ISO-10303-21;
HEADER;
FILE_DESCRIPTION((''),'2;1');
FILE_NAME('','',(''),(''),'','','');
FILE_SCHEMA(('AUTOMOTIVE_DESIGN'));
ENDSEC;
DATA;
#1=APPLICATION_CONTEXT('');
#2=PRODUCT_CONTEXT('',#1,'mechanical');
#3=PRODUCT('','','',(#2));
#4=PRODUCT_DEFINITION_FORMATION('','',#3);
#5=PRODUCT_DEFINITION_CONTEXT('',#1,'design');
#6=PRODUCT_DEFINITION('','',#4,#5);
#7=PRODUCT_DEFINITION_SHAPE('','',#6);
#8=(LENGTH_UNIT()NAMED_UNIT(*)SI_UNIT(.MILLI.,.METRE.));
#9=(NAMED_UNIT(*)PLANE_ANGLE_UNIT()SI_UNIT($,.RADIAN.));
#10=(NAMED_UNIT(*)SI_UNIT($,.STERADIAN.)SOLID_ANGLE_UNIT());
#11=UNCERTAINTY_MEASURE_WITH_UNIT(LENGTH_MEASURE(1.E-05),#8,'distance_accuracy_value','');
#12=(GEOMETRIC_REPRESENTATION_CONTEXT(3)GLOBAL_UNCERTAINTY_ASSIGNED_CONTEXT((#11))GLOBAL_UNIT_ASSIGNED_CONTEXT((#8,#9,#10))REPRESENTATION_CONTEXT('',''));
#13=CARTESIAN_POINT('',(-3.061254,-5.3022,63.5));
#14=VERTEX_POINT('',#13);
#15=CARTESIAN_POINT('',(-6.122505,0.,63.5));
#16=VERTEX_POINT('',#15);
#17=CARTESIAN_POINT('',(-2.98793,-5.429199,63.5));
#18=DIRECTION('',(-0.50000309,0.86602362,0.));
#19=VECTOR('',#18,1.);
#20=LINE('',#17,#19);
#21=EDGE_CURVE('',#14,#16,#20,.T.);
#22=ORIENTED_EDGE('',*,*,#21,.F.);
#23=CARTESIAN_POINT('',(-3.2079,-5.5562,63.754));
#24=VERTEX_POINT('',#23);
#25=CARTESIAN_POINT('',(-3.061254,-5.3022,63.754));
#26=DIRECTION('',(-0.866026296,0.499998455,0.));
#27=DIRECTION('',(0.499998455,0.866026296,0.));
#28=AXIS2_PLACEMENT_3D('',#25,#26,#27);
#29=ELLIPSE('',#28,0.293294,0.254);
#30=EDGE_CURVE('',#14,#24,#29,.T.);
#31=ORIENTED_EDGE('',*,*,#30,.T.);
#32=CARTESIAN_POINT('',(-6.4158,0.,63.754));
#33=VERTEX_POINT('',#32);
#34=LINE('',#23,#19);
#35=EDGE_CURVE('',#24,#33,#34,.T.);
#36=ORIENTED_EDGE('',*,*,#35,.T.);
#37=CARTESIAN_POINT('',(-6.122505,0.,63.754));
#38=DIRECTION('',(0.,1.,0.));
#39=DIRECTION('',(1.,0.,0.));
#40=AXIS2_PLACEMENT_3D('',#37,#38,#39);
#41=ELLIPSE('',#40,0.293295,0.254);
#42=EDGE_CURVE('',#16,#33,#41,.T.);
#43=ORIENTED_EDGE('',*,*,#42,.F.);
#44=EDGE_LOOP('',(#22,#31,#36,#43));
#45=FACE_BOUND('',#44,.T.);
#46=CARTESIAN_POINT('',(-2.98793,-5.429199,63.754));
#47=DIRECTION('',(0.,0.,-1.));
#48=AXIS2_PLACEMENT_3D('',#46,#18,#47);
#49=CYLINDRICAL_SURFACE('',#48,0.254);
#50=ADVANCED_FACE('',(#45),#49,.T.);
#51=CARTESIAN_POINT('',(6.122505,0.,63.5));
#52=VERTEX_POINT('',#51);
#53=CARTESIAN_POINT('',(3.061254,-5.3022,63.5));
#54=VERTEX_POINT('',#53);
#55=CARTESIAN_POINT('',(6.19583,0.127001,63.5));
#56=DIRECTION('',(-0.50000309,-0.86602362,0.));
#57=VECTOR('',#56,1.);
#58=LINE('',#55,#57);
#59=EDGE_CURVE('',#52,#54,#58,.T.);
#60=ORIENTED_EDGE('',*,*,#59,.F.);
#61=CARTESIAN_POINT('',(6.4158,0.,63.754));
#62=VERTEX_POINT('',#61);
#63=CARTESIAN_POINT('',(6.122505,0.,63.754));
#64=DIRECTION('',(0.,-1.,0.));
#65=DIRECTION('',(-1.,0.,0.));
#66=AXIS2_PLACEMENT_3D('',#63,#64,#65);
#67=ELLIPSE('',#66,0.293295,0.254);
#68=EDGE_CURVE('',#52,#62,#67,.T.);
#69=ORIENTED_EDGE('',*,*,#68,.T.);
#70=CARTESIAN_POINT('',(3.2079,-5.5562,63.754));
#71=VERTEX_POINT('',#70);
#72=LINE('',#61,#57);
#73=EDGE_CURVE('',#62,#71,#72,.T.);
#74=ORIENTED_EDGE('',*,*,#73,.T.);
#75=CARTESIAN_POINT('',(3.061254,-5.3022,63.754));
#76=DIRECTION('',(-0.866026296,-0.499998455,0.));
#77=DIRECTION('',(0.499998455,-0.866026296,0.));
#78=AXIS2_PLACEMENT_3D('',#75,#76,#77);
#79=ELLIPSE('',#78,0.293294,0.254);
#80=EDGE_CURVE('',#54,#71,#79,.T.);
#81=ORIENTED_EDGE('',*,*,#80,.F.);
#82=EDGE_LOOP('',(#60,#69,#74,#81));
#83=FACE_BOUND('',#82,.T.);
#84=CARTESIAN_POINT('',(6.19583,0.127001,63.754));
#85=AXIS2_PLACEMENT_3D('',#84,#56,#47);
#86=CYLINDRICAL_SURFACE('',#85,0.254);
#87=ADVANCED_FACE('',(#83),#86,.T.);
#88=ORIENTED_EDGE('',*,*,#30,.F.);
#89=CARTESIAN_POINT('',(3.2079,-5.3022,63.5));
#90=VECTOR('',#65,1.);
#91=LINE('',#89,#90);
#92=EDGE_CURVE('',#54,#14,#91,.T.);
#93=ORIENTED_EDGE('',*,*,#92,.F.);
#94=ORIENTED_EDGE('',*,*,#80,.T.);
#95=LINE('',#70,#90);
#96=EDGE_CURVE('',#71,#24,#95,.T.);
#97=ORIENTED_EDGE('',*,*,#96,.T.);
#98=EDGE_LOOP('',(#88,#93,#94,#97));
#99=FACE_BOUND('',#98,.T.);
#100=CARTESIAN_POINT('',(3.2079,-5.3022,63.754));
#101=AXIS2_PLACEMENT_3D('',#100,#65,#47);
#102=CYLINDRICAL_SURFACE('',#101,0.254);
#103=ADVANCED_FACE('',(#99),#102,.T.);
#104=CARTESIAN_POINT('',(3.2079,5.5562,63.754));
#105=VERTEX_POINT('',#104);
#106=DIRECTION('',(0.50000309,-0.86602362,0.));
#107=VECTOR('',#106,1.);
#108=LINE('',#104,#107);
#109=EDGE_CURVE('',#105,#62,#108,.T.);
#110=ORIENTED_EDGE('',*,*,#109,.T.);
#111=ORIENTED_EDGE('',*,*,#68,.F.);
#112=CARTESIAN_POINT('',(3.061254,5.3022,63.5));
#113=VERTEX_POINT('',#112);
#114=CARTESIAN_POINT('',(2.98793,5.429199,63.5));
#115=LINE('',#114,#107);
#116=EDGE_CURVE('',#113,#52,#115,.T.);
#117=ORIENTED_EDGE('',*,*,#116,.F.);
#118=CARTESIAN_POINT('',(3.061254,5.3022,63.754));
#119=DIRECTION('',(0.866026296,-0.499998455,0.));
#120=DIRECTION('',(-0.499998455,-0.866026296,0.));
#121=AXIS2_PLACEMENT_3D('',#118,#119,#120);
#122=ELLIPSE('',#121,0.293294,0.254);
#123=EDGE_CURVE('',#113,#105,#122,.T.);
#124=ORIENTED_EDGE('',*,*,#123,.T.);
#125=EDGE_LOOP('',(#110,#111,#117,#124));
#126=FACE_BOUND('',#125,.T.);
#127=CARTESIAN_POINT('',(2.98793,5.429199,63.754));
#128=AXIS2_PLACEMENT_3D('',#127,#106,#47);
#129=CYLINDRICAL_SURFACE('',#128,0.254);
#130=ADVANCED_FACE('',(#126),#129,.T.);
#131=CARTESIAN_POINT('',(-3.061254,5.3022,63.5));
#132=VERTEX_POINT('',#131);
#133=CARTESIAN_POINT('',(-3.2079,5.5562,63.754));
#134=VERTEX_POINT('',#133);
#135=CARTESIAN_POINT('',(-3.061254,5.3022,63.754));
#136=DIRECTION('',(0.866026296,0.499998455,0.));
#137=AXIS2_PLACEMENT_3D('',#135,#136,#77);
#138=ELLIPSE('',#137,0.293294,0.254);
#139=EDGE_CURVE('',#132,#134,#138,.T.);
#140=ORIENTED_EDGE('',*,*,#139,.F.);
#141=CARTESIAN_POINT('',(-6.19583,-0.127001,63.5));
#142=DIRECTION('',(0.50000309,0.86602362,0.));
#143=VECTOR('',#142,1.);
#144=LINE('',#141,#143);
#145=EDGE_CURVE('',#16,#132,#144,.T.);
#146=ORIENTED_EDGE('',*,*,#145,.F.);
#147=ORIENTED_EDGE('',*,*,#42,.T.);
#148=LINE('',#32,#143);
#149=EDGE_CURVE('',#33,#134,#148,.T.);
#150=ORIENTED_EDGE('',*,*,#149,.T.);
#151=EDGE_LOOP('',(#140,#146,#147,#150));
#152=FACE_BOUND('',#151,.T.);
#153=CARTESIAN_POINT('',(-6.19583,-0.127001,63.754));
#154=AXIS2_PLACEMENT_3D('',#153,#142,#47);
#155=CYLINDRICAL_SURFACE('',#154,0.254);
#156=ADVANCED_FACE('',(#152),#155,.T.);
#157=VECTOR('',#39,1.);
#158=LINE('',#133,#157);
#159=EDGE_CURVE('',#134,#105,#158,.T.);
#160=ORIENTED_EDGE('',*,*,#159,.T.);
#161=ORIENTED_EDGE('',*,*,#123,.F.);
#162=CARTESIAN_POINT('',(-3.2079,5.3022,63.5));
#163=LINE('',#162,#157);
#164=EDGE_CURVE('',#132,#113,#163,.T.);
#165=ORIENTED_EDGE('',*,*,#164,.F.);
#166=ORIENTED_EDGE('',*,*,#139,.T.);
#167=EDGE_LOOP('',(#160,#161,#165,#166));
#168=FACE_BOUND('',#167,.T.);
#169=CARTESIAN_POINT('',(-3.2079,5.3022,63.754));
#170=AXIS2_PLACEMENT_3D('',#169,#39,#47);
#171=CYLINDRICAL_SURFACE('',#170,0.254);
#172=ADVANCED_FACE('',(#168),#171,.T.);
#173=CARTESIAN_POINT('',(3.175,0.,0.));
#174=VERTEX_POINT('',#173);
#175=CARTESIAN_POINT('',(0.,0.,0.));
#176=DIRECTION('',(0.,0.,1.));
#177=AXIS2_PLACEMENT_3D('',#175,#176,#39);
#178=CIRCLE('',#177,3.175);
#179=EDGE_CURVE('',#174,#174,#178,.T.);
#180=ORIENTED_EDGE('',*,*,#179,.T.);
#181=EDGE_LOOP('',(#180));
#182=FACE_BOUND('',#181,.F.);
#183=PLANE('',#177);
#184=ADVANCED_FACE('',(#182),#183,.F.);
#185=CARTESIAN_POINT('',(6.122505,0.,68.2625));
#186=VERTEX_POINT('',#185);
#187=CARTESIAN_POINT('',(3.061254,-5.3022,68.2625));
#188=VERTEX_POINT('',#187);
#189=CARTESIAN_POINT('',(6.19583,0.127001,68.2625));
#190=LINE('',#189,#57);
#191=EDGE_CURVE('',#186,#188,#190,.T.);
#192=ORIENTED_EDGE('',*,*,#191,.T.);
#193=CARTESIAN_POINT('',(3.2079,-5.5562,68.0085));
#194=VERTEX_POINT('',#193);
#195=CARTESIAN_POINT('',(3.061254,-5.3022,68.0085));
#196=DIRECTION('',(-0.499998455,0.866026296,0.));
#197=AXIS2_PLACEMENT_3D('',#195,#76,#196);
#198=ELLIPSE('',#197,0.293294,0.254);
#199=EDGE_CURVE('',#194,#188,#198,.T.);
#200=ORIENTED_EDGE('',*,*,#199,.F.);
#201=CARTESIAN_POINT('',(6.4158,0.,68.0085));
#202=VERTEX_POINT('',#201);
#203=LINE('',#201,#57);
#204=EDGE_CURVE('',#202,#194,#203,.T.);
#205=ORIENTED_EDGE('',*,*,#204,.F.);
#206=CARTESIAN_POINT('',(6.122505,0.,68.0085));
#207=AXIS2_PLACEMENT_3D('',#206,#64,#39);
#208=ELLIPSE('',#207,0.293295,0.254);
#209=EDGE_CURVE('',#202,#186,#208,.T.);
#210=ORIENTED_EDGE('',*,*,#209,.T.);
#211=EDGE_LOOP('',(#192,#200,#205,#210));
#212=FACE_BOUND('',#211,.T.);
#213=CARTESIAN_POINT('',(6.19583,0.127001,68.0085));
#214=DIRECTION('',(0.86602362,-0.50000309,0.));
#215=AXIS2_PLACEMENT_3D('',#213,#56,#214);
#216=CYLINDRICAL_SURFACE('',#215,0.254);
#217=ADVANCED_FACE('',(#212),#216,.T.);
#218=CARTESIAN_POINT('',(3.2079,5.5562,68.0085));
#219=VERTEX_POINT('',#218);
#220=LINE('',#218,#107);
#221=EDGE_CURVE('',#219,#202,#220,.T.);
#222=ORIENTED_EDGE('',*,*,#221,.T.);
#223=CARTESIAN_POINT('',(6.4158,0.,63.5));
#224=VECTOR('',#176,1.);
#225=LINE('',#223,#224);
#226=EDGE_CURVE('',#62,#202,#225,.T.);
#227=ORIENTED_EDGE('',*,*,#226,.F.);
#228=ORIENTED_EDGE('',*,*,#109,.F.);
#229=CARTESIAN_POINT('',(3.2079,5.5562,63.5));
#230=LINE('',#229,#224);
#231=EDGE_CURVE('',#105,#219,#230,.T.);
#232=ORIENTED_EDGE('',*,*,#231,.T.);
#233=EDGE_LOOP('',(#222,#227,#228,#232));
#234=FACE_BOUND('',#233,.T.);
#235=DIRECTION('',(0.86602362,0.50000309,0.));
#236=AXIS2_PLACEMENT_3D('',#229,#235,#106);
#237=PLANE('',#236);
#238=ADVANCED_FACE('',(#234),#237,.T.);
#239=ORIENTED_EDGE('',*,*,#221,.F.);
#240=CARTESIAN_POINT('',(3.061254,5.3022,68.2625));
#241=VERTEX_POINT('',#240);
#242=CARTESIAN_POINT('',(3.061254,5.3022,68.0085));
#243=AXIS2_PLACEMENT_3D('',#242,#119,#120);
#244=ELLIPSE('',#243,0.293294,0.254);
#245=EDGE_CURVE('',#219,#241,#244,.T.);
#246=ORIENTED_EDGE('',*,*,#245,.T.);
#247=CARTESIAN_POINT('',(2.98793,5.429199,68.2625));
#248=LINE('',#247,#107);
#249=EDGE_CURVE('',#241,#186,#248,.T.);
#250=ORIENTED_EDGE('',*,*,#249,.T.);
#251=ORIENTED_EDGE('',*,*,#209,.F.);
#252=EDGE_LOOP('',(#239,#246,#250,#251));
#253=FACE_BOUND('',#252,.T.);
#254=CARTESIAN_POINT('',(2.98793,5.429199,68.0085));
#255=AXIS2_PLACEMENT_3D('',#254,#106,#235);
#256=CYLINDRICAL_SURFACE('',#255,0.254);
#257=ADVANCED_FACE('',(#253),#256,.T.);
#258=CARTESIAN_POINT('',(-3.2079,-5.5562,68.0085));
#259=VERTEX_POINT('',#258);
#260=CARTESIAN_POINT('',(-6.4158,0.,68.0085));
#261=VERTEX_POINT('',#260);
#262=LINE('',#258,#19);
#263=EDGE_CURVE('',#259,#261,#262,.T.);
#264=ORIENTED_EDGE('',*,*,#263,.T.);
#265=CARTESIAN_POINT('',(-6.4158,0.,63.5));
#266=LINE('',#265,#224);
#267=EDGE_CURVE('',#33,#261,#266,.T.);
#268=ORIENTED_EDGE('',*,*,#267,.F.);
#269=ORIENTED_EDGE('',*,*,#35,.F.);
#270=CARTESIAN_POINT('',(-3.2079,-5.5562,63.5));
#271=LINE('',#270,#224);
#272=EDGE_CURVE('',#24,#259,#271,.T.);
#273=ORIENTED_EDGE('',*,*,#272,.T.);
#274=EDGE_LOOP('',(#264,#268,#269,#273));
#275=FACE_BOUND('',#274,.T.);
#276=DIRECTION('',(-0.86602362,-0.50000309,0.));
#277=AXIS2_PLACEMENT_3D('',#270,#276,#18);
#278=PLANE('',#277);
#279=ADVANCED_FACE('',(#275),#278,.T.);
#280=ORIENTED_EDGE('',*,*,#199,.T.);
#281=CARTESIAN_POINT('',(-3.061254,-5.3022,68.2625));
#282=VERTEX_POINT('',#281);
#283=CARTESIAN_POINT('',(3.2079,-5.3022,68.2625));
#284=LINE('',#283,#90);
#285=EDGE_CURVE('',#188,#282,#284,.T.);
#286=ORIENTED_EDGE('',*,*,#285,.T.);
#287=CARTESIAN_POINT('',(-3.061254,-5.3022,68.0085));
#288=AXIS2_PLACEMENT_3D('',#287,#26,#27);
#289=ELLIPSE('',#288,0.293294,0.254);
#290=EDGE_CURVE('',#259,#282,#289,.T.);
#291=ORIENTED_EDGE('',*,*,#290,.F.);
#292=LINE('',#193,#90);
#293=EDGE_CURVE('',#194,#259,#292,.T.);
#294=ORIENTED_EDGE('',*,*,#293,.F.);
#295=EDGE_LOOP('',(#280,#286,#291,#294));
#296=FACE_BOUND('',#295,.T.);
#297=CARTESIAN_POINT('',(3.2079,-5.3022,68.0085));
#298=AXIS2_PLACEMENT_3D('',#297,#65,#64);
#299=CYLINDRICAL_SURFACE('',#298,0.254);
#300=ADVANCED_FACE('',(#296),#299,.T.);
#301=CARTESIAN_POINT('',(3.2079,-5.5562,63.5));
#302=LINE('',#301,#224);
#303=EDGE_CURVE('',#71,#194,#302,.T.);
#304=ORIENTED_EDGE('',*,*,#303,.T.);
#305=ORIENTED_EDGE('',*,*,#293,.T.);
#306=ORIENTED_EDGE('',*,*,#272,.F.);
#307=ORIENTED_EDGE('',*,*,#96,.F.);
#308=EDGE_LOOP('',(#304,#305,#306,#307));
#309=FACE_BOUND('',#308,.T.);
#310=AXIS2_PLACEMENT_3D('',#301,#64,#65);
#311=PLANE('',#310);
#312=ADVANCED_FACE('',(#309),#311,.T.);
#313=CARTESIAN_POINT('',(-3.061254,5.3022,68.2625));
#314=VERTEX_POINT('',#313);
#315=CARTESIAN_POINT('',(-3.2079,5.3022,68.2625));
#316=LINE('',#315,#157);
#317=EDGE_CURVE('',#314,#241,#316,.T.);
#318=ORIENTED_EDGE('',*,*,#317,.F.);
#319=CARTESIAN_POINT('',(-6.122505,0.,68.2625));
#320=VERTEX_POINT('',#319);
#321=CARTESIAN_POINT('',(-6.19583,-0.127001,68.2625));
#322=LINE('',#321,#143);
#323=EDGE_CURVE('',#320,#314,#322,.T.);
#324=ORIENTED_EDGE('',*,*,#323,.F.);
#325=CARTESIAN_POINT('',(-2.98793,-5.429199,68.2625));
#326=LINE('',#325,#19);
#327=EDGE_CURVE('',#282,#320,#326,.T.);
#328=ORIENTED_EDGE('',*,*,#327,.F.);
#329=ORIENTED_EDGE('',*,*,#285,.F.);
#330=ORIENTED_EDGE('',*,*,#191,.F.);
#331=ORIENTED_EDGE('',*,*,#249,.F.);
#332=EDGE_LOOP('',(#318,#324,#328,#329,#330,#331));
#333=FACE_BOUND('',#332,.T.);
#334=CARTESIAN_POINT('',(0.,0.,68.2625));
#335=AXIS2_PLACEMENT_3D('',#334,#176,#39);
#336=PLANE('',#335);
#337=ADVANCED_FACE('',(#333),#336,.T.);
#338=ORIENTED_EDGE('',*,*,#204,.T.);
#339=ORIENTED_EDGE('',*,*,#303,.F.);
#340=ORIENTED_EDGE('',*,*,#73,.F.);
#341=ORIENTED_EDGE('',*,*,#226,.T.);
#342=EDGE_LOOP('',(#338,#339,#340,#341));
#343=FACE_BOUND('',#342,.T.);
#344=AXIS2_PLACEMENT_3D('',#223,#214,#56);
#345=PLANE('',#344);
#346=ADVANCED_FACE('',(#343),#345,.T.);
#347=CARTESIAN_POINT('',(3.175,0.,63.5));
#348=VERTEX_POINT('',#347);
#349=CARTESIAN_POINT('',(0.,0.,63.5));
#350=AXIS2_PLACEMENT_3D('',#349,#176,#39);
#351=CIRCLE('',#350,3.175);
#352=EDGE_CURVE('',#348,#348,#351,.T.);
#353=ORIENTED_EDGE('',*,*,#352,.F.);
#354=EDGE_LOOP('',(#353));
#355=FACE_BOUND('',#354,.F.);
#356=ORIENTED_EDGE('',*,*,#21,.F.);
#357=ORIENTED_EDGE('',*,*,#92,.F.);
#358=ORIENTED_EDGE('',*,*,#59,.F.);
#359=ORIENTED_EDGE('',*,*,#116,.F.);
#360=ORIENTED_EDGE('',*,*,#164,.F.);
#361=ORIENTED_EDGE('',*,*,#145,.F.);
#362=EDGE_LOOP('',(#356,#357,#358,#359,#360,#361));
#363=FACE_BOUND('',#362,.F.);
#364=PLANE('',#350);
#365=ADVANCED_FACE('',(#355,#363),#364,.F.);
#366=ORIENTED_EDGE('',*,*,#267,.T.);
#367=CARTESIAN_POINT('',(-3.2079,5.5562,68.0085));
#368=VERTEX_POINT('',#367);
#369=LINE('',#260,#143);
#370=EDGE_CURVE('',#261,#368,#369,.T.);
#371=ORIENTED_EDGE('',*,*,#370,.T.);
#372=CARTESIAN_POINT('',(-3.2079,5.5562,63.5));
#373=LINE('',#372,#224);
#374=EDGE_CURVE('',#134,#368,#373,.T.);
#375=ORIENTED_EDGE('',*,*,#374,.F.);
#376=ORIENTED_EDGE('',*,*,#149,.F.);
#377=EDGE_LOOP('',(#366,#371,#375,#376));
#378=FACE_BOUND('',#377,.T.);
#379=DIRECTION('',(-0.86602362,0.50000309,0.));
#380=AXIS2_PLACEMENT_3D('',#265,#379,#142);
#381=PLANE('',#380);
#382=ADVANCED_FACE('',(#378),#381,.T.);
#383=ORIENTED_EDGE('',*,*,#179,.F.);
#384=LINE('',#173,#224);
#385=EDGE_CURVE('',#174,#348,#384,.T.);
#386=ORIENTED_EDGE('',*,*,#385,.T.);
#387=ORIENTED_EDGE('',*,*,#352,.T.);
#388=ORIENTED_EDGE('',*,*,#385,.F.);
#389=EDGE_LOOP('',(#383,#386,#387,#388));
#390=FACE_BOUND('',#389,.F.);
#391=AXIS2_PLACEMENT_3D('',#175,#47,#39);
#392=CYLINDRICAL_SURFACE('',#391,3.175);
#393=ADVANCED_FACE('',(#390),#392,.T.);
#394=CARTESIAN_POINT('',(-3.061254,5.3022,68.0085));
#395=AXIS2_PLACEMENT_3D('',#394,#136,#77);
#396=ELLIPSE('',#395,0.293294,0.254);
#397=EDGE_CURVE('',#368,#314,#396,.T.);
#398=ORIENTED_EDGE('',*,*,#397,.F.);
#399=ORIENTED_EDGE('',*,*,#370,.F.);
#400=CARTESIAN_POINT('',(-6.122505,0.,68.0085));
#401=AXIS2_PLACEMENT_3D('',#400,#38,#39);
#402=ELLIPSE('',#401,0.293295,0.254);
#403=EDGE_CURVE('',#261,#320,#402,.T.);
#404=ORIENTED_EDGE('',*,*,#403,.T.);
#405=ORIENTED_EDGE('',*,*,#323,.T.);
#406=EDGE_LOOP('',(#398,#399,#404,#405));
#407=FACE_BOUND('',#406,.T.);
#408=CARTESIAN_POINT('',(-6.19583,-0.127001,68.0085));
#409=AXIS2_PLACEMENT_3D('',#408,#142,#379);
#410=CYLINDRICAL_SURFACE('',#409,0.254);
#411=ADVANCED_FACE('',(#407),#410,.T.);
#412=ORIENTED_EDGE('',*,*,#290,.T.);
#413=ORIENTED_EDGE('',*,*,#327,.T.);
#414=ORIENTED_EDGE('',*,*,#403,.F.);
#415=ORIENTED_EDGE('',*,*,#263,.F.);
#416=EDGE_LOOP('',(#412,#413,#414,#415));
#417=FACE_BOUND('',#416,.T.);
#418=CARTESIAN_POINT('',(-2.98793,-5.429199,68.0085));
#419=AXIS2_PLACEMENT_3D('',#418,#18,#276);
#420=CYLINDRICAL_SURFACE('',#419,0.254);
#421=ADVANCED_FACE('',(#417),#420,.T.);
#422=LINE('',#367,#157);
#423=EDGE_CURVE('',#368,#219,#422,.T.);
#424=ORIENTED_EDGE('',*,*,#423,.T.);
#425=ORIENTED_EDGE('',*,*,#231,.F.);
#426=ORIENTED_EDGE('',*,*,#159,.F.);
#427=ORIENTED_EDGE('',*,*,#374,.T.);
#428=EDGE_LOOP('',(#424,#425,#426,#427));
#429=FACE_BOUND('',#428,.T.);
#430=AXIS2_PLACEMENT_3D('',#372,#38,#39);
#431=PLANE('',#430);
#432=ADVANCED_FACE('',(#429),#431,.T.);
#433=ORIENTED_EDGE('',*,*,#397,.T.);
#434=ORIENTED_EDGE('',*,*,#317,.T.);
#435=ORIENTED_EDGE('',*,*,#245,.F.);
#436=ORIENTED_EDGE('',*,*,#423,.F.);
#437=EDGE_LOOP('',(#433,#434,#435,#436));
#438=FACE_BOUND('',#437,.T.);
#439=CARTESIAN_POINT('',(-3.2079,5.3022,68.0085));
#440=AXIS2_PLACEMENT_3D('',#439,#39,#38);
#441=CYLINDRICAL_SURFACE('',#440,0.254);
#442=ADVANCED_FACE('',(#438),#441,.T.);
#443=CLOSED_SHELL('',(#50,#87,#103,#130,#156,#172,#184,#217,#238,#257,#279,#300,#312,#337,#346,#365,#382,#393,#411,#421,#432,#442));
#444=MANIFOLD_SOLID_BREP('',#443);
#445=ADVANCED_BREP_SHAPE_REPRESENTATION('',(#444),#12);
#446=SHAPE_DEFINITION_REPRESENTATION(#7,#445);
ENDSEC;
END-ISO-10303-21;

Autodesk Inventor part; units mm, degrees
ref_plane "YZ Plane" through (0, 0, 0) normal (1, 0, 0) x (0, 1, 0)
ref_plane "XZ Plane" through (0, 0, 0) normal (0, 1, 0) x (-1, 0, 0)
ref_plane "XY Plane" through (0, 0, 0) normal (0, 0, 1) x (1, 0, 0)
sketch "Sketch1" plane through (0, 0, 0) normal (0, 0, 1) x (1, 0, 0)
  circle A0 centre (0, 0) radius 3.175
  dimension "d0" = 6.35
extrude "Extrusion1" add sketch "Sketch1" along normal blind 63.5
sketch "Sketch2" plane through (0, 0, 63.5) normal (0, 0, 1) x (1, 0, 0)
  circle A0 centre (0, 0) radius 3.175 projected
  line L0 (3.2079, 5.5562) -> (6.4158, 0)
  line L1 (6.4158, 0) -> (3.2079, -5.5562)
  line L2 (3.2079, -5.5562) -> (-3.2079, -5.5562)
  line L3 (-3.2079, -5.5562) -> (-6.4158, 0)
  line L4 (-6.4158, 0) -> (-3.2079, 5.5562)
  line L5 (-3.2079, 5.5562) -> (3.2079, 5.5562)
  dimension "d4" = 11.1125
extrude "Extrusion2" add sketch "Sketch2" along normal blind 4.7625 contours A0 | L0 L1 L2 L3 L4 L5
fillet "Fillet1" radius 0.254 12 edges at (4.8119, 2.7781, 68.2625) (0, 5.5562, 68.2625) (-4.8119, 2.7781, 68.2625) (-4.8119, -2.7781, 68.2625) (0, -5.5562, 68.2625) (4.8119, -2.7781, 68.2625) (4.8119, -2.7781, 63.5) (4.8119, 2.7781, 63.5) (0, 5.5562, 63.5) (-4.8119, 2.7781, 63.5) (-4.8119, -2.7781, 63.5) (0, -5.5562, 63.5)
thread "Thread1" size "1/4-20 UNC" class "2A" standard "ANSI Unified Screw Threads" length 28.575
properties part number "Deck_Bolt"
